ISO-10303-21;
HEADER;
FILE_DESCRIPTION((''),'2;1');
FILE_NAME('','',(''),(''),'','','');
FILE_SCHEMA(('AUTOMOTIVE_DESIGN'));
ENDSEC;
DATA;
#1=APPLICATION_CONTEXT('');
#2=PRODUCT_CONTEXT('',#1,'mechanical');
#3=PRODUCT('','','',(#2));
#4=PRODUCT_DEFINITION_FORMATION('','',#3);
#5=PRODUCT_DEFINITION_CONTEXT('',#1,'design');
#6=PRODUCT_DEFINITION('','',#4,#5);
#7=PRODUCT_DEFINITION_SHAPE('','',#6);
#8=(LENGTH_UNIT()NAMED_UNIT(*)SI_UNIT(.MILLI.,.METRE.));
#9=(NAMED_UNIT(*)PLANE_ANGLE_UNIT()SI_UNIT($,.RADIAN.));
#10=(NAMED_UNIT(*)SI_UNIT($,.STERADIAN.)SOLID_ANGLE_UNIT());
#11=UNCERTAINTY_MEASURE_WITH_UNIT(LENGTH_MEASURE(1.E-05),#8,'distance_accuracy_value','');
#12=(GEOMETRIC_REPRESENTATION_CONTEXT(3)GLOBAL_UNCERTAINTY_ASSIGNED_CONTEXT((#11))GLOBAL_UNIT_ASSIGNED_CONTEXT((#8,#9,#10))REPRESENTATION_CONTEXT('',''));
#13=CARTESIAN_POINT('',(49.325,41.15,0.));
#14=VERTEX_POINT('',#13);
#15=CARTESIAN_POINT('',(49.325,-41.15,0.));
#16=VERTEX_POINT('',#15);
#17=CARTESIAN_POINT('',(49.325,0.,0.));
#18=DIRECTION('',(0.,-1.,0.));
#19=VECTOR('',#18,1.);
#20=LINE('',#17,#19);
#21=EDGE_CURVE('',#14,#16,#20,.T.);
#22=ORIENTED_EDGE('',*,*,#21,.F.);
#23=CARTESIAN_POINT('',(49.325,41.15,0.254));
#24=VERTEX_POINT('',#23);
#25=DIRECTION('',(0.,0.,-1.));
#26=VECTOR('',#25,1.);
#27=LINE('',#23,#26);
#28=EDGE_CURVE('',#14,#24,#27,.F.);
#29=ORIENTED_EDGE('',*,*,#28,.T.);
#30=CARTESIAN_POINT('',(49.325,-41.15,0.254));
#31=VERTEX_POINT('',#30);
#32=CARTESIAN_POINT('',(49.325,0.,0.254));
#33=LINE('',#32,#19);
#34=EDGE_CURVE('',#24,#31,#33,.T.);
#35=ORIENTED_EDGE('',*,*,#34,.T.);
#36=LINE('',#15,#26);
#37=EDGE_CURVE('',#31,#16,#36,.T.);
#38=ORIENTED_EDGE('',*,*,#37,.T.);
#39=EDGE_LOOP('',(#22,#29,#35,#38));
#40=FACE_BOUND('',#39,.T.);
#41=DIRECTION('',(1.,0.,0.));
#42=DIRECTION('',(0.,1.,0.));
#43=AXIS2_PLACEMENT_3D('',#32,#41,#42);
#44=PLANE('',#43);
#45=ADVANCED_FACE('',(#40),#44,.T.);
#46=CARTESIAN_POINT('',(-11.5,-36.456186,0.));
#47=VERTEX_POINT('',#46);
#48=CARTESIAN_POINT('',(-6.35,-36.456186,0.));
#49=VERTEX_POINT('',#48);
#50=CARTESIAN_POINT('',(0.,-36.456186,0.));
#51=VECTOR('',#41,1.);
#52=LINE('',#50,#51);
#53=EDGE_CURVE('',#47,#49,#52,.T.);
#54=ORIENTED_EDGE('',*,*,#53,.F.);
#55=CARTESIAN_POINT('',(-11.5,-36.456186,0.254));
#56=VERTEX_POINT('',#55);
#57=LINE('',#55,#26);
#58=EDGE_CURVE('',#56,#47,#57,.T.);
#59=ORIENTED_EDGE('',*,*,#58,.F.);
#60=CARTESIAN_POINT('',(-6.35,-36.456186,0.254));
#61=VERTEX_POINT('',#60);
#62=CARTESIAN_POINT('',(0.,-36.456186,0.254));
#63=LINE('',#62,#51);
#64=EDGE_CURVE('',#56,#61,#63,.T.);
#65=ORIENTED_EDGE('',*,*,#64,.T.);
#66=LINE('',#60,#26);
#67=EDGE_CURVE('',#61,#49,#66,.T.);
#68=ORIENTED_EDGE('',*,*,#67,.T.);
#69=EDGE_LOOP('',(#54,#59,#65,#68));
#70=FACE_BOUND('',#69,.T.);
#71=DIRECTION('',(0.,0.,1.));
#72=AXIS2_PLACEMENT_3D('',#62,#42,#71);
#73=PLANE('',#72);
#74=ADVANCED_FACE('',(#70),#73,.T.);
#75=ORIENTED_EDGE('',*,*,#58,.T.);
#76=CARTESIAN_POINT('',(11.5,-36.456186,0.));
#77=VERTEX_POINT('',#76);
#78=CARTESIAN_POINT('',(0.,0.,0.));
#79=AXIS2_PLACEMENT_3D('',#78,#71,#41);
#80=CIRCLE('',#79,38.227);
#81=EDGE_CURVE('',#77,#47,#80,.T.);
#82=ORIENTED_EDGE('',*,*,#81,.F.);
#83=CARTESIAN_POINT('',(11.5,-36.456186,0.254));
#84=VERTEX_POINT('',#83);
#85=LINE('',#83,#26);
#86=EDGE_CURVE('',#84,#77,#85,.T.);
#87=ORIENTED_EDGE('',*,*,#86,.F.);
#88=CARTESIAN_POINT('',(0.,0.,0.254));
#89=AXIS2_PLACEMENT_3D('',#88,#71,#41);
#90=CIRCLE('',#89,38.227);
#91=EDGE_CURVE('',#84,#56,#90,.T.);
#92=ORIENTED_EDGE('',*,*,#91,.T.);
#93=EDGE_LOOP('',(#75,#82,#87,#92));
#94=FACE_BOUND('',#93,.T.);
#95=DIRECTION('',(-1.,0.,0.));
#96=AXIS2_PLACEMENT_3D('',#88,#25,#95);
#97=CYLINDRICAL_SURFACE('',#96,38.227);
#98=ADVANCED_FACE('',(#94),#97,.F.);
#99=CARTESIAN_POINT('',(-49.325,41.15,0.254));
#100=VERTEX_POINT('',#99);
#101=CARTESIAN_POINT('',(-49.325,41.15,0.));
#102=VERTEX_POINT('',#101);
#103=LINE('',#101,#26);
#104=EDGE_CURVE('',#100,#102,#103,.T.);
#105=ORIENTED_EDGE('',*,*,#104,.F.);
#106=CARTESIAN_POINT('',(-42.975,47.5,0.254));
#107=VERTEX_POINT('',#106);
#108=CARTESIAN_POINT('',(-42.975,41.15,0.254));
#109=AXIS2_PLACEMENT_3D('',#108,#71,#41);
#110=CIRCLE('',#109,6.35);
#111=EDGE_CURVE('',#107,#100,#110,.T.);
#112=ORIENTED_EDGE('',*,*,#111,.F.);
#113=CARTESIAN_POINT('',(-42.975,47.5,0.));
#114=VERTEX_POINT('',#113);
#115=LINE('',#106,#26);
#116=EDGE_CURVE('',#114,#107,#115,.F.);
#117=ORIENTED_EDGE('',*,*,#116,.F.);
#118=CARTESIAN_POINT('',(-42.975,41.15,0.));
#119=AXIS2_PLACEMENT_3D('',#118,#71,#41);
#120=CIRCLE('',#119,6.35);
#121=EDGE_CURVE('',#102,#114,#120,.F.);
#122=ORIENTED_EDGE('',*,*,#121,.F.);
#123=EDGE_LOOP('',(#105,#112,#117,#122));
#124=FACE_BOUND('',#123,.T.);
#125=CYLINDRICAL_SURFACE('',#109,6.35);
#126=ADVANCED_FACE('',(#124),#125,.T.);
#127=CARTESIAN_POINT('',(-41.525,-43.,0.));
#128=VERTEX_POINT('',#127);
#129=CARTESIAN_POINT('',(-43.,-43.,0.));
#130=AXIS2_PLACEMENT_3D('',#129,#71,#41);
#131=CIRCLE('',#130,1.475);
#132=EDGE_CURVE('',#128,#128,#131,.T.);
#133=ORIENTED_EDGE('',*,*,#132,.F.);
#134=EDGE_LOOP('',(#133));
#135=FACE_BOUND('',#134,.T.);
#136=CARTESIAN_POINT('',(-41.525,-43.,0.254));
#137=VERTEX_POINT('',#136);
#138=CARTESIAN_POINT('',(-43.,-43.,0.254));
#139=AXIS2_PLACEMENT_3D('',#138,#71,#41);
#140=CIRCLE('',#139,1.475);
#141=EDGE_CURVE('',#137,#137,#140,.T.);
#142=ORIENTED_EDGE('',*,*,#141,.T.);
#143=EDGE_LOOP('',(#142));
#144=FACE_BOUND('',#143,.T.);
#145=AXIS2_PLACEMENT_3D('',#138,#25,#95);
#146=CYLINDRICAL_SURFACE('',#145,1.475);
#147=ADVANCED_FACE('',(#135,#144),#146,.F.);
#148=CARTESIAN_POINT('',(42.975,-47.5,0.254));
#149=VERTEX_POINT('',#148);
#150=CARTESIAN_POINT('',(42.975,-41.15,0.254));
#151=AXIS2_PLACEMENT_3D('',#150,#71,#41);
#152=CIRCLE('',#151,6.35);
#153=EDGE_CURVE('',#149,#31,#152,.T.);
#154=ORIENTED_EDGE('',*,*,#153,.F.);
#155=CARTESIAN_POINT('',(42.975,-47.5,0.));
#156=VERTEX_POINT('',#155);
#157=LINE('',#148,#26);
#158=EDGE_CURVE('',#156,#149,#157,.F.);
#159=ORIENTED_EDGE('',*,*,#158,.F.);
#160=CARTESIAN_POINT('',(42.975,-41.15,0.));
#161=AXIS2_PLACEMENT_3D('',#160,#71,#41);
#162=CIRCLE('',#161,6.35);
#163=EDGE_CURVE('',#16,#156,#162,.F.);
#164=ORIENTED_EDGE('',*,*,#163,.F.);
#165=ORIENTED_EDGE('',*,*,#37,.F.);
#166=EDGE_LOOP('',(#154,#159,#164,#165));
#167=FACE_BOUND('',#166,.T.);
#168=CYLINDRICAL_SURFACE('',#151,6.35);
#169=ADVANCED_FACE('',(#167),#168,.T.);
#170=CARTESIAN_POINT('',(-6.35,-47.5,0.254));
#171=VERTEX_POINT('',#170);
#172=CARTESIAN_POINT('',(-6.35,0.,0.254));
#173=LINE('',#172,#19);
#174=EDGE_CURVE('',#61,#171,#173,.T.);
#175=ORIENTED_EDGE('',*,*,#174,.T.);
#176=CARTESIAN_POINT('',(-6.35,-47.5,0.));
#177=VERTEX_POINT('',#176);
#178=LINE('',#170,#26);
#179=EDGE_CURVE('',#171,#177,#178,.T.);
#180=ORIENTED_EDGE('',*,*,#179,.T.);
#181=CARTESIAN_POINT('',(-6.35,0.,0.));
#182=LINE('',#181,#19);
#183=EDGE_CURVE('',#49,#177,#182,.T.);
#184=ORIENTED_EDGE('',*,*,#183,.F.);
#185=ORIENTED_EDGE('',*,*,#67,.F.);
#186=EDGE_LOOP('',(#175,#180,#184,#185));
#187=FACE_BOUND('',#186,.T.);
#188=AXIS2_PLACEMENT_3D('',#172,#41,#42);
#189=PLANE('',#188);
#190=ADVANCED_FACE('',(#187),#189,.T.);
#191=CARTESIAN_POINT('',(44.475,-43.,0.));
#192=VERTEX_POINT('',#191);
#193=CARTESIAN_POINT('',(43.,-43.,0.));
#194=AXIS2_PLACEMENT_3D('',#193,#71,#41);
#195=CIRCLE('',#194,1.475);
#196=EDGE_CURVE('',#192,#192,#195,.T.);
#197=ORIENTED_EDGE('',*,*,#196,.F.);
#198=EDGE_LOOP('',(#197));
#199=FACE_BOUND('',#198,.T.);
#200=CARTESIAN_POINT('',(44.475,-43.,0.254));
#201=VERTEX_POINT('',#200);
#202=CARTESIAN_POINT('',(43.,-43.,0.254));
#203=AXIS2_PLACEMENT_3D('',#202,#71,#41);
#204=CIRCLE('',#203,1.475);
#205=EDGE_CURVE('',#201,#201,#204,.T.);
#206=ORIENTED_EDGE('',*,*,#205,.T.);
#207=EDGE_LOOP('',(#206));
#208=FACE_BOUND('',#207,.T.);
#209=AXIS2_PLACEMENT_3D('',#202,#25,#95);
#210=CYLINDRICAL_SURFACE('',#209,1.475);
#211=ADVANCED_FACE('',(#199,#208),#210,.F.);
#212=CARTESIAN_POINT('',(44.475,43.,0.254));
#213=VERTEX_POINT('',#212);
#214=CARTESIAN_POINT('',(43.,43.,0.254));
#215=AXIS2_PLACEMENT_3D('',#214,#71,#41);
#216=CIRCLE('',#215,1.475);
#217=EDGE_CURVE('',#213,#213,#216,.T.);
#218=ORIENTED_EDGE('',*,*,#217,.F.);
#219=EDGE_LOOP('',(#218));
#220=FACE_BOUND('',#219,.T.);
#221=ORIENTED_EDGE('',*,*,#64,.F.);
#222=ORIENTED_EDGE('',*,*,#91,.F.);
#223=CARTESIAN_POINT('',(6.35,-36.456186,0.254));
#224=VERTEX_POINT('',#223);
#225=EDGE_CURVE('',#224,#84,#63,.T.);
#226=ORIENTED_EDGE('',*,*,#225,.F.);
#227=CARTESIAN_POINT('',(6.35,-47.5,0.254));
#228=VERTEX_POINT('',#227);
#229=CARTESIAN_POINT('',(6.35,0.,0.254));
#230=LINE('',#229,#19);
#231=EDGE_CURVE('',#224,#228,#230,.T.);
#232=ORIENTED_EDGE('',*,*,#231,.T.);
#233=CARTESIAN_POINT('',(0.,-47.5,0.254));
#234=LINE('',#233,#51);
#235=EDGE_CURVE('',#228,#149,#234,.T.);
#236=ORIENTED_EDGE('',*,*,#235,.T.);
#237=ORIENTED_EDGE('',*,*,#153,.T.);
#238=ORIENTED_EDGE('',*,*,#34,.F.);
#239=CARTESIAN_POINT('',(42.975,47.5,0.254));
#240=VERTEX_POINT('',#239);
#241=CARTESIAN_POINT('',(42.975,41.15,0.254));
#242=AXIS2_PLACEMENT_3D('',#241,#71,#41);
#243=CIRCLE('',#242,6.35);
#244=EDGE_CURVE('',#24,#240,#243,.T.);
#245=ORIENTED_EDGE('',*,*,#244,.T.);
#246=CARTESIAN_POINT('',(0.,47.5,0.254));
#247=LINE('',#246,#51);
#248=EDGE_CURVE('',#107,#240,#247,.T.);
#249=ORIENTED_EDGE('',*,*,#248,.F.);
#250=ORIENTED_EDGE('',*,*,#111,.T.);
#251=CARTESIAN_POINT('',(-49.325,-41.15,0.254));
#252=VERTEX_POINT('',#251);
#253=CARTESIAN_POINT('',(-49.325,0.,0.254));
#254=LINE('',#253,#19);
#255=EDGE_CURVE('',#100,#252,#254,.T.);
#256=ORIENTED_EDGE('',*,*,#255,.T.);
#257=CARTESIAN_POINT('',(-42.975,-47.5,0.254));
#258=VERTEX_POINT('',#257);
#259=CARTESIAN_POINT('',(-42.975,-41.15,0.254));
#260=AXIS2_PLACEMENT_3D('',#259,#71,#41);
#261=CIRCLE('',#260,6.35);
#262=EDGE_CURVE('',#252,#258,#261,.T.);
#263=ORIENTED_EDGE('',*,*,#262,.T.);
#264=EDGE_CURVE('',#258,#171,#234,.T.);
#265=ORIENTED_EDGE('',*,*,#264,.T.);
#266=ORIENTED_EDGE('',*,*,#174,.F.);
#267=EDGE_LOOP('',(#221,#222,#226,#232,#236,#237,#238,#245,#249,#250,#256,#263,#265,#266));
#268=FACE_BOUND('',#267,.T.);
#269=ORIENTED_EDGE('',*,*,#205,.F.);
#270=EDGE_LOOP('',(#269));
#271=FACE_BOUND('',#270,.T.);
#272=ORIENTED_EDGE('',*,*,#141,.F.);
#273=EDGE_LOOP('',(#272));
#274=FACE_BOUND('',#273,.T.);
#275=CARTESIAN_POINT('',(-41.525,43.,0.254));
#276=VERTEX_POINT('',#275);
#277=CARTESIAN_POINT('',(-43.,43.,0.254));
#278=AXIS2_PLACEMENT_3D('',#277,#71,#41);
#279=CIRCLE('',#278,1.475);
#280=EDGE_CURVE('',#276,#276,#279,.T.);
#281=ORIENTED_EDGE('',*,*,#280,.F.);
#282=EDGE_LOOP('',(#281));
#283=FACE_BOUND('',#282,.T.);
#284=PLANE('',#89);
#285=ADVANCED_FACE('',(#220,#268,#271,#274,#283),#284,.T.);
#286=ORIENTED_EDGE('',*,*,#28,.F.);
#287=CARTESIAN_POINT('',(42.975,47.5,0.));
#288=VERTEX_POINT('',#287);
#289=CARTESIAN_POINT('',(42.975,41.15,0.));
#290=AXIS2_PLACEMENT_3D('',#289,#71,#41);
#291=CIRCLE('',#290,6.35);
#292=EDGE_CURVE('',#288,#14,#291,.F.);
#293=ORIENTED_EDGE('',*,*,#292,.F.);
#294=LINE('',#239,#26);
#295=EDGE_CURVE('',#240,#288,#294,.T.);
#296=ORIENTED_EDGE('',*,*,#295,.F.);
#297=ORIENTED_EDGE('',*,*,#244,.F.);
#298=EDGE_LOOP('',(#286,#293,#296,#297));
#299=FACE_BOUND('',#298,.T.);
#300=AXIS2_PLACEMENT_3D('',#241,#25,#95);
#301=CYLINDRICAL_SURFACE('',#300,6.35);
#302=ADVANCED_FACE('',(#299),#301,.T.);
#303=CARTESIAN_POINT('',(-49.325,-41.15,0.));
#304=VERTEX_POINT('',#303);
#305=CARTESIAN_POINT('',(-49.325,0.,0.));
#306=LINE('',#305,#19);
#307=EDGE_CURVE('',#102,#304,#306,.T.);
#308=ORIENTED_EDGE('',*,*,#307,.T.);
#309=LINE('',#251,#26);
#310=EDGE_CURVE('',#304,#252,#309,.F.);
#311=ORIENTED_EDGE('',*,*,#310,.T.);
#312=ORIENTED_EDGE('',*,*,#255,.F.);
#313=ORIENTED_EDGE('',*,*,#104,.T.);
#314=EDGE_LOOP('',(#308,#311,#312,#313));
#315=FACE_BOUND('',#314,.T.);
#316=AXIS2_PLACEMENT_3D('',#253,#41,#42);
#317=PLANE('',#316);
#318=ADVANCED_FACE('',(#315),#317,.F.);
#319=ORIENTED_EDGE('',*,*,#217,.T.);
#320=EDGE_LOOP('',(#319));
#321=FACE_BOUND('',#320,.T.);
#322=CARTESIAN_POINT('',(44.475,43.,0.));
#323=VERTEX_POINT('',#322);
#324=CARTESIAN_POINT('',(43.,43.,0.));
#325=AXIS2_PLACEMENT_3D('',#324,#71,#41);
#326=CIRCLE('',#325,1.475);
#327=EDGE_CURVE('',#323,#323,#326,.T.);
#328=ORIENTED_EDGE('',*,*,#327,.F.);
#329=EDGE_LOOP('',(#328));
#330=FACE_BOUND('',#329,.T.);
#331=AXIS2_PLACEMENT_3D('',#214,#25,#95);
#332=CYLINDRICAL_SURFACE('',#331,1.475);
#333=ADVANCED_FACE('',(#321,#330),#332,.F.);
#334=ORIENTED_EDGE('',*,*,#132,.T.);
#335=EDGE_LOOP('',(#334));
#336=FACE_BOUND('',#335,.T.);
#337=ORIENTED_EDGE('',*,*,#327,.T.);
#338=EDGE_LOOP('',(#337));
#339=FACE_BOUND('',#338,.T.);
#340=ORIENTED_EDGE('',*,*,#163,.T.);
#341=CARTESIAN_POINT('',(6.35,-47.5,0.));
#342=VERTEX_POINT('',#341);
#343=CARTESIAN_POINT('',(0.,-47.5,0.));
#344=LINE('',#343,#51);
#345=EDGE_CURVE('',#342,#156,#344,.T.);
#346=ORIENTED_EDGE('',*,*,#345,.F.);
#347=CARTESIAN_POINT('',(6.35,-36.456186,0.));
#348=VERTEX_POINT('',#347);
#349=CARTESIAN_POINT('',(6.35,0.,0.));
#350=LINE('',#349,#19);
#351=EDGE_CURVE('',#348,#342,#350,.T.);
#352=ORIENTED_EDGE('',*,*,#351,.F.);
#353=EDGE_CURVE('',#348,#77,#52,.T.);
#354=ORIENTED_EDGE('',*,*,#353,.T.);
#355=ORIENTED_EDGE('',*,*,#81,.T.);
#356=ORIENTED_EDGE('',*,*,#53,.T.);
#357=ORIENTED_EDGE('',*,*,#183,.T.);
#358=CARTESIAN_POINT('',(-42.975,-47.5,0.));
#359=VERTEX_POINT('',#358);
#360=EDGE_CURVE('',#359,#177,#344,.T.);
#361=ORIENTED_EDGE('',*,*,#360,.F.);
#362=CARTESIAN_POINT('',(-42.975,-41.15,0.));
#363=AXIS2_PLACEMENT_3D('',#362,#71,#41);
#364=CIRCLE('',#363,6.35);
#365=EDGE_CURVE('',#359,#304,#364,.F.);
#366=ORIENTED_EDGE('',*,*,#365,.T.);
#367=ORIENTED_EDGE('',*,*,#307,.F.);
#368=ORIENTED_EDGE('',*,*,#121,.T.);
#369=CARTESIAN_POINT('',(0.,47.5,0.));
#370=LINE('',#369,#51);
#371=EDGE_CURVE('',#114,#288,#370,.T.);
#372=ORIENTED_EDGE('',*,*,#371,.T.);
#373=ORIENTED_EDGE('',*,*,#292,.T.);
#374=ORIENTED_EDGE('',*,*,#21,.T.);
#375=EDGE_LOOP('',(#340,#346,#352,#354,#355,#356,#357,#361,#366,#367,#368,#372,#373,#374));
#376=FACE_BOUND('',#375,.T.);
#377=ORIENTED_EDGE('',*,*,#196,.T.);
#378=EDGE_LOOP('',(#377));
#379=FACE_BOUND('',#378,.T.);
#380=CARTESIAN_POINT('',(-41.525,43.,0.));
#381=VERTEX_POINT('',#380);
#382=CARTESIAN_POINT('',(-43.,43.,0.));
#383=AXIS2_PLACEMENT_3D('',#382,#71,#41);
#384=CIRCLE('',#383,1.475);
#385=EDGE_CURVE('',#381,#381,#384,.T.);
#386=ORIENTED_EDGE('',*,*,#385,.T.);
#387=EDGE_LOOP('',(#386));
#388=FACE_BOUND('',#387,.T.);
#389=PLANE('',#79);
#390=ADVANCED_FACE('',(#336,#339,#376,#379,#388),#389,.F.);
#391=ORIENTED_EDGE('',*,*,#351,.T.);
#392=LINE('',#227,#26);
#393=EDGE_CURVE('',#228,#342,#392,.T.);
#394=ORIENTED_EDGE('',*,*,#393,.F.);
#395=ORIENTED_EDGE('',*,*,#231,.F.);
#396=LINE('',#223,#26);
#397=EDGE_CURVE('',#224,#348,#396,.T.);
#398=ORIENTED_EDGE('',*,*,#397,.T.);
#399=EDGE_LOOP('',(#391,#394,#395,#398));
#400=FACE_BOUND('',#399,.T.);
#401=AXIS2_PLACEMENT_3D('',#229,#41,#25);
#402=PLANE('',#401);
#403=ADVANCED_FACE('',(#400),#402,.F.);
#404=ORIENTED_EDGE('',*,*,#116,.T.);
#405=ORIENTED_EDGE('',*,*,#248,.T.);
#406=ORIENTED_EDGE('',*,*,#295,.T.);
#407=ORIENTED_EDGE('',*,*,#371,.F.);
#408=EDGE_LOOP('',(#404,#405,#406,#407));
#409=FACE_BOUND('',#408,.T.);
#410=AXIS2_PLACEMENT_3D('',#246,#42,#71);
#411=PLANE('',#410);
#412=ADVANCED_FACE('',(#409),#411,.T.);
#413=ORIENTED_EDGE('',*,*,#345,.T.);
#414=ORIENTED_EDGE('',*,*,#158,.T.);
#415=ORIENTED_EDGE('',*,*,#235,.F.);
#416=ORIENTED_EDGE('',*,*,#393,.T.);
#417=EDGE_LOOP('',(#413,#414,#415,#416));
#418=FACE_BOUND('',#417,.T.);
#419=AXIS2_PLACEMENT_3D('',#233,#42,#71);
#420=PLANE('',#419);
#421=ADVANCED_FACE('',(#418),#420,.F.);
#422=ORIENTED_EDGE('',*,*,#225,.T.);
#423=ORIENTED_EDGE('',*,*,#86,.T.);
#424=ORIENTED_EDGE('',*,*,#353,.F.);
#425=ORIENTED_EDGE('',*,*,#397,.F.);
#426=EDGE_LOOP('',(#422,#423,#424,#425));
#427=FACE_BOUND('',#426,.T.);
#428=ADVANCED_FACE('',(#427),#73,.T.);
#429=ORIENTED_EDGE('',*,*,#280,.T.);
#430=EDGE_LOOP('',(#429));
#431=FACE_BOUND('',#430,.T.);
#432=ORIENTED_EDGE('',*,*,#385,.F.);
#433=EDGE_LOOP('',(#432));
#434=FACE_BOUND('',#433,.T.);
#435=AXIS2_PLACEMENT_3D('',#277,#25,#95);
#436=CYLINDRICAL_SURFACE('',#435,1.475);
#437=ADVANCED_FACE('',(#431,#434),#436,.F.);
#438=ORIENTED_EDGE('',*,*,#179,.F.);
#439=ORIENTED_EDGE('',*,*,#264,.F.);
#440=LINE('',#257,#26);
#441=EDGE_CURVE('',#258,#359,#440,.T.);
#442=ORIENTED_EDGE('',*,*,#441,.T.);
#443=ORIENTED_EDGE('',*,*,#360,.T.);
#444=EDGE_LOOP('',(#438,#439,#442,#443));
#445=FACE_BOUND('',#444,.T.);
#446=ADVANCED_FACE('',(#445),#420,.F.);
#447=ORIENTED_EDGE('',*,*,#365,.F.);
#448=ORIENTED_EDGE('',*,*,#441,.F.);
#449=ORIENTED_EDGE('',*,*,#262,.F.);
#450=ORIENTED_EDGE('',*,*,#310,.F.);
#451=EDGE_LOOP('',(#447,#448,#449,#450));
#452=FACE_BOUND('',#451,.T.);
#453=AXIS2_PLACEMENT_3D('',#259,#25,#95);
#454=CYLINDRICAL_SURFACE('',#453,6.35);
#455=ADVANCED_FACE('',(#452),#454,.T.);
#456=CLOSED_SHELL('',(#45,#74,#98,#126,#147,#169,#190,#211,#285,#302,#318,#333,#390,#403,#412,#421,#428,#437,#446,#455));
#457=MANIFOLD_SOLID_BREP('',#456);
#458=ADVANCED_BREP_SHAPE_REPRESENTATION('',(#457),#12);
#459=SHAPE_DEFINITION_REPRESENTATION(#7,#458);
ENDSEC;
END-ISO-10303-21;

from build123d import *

# Parameters (mm, degrees)
SKETCH2_R           = 1.475
BOSS_EXTRUDE1_DEPTH = 0.254
FILLET1_R           = 6.35


with BuildPart() as part:
    # Sketch2 → Boss-Extrude1 (new body)
    # profile 1 of 3: a face of its own
    with BuildSketch(Plane.XY):
        with BuildLine():
            ThreePointArc((-6.35, -37.695902019), (-8.946499242, -37.165355915), (-11.5, -36.45618643))
            ThreePointArc((-11.5, -36.45618643), (-22.601913957, 30.829482878), (38.227, 0))
            ThreePointArc((38.227, 0), (30.829482878, -22.601913957), (11.5, -36.45618643))
            ThreePointArc((11.5, -36.45618643), (8.946499242, -37.165355915), (6.35, -37.695902019))
            Line((6.35, -37.695902019), (6.35, -47.5))
            Line((6.35, -47.5), (49.325, -47.5))
            Line((49.325, -47.5), (49.325, 47.5))
            Line((49.325, 47.5), (-49.325, 47.5))
            Line((-49.325, 47.5), (-49.325, -47.5))
            Line((-49.325, -47.5), (-6.35, -47.5))
            Line((-6.35, -47.5), (-6.35, -37.695902019))
        make_face()
        with Locations((-43, -43)):
            Circle(SKETCH2_R, mode=Mode.SUBTRACT)
        with Locations((43, -43)):
            Circle(SKETCH2_R, mode=Mode.SUBTRACT)
        with Locations((-43, 43)):
            Circle(SKETCH2_R, mode=Mode.SUBTRACT)
        with Locations((43, 43)):
            Circle(SKETCH2_R, mode=Mode.SUBTRACT)
    # profile 2 of 3: a face of its own
    with BuildSketch(Plane.XY):
        with BuildLine():
            Line((11.5, -36.45618643), (6.35, -36.45618643))
            Line((6.35, -36.45618643), (6.35, -37.695902019))
            ThreePointArc((6.35, -37.695902019), (8.946499242, -37.165355915), (11.5, -36.45618643))
        make_face()
    # profile 3 of 3: a face of its own
    with BuildSketch(Plane.XY):
        with BuildLine():
            Line((-6.35, -36.45618643), (-11.5, -36.45618643))
            ThreePointArc((-11.5, -36.45618643), (-8.946499242, -37.165355915), (-6.35, -37.695902019))
            Line((-6.35, -37.695902019), (-6.35, -36.45618643))
        make_face()
    extrude(amount=BOSS_EXTRUDE1_DEPTH)

    # Fillet1
    fillet1_edges = [part.edges().sort_by_distance(p)[0] for p in [
        (-49.325, -47.5, 0.127),
        (-49.325, 47.5, 0.127),
        (49.325, 47.5, 0.127),
        (49.325, -47.5, 0.127),
    ]]
    fillet(fillet1_edges, radius=FILLET1_R)


solid = part.part
